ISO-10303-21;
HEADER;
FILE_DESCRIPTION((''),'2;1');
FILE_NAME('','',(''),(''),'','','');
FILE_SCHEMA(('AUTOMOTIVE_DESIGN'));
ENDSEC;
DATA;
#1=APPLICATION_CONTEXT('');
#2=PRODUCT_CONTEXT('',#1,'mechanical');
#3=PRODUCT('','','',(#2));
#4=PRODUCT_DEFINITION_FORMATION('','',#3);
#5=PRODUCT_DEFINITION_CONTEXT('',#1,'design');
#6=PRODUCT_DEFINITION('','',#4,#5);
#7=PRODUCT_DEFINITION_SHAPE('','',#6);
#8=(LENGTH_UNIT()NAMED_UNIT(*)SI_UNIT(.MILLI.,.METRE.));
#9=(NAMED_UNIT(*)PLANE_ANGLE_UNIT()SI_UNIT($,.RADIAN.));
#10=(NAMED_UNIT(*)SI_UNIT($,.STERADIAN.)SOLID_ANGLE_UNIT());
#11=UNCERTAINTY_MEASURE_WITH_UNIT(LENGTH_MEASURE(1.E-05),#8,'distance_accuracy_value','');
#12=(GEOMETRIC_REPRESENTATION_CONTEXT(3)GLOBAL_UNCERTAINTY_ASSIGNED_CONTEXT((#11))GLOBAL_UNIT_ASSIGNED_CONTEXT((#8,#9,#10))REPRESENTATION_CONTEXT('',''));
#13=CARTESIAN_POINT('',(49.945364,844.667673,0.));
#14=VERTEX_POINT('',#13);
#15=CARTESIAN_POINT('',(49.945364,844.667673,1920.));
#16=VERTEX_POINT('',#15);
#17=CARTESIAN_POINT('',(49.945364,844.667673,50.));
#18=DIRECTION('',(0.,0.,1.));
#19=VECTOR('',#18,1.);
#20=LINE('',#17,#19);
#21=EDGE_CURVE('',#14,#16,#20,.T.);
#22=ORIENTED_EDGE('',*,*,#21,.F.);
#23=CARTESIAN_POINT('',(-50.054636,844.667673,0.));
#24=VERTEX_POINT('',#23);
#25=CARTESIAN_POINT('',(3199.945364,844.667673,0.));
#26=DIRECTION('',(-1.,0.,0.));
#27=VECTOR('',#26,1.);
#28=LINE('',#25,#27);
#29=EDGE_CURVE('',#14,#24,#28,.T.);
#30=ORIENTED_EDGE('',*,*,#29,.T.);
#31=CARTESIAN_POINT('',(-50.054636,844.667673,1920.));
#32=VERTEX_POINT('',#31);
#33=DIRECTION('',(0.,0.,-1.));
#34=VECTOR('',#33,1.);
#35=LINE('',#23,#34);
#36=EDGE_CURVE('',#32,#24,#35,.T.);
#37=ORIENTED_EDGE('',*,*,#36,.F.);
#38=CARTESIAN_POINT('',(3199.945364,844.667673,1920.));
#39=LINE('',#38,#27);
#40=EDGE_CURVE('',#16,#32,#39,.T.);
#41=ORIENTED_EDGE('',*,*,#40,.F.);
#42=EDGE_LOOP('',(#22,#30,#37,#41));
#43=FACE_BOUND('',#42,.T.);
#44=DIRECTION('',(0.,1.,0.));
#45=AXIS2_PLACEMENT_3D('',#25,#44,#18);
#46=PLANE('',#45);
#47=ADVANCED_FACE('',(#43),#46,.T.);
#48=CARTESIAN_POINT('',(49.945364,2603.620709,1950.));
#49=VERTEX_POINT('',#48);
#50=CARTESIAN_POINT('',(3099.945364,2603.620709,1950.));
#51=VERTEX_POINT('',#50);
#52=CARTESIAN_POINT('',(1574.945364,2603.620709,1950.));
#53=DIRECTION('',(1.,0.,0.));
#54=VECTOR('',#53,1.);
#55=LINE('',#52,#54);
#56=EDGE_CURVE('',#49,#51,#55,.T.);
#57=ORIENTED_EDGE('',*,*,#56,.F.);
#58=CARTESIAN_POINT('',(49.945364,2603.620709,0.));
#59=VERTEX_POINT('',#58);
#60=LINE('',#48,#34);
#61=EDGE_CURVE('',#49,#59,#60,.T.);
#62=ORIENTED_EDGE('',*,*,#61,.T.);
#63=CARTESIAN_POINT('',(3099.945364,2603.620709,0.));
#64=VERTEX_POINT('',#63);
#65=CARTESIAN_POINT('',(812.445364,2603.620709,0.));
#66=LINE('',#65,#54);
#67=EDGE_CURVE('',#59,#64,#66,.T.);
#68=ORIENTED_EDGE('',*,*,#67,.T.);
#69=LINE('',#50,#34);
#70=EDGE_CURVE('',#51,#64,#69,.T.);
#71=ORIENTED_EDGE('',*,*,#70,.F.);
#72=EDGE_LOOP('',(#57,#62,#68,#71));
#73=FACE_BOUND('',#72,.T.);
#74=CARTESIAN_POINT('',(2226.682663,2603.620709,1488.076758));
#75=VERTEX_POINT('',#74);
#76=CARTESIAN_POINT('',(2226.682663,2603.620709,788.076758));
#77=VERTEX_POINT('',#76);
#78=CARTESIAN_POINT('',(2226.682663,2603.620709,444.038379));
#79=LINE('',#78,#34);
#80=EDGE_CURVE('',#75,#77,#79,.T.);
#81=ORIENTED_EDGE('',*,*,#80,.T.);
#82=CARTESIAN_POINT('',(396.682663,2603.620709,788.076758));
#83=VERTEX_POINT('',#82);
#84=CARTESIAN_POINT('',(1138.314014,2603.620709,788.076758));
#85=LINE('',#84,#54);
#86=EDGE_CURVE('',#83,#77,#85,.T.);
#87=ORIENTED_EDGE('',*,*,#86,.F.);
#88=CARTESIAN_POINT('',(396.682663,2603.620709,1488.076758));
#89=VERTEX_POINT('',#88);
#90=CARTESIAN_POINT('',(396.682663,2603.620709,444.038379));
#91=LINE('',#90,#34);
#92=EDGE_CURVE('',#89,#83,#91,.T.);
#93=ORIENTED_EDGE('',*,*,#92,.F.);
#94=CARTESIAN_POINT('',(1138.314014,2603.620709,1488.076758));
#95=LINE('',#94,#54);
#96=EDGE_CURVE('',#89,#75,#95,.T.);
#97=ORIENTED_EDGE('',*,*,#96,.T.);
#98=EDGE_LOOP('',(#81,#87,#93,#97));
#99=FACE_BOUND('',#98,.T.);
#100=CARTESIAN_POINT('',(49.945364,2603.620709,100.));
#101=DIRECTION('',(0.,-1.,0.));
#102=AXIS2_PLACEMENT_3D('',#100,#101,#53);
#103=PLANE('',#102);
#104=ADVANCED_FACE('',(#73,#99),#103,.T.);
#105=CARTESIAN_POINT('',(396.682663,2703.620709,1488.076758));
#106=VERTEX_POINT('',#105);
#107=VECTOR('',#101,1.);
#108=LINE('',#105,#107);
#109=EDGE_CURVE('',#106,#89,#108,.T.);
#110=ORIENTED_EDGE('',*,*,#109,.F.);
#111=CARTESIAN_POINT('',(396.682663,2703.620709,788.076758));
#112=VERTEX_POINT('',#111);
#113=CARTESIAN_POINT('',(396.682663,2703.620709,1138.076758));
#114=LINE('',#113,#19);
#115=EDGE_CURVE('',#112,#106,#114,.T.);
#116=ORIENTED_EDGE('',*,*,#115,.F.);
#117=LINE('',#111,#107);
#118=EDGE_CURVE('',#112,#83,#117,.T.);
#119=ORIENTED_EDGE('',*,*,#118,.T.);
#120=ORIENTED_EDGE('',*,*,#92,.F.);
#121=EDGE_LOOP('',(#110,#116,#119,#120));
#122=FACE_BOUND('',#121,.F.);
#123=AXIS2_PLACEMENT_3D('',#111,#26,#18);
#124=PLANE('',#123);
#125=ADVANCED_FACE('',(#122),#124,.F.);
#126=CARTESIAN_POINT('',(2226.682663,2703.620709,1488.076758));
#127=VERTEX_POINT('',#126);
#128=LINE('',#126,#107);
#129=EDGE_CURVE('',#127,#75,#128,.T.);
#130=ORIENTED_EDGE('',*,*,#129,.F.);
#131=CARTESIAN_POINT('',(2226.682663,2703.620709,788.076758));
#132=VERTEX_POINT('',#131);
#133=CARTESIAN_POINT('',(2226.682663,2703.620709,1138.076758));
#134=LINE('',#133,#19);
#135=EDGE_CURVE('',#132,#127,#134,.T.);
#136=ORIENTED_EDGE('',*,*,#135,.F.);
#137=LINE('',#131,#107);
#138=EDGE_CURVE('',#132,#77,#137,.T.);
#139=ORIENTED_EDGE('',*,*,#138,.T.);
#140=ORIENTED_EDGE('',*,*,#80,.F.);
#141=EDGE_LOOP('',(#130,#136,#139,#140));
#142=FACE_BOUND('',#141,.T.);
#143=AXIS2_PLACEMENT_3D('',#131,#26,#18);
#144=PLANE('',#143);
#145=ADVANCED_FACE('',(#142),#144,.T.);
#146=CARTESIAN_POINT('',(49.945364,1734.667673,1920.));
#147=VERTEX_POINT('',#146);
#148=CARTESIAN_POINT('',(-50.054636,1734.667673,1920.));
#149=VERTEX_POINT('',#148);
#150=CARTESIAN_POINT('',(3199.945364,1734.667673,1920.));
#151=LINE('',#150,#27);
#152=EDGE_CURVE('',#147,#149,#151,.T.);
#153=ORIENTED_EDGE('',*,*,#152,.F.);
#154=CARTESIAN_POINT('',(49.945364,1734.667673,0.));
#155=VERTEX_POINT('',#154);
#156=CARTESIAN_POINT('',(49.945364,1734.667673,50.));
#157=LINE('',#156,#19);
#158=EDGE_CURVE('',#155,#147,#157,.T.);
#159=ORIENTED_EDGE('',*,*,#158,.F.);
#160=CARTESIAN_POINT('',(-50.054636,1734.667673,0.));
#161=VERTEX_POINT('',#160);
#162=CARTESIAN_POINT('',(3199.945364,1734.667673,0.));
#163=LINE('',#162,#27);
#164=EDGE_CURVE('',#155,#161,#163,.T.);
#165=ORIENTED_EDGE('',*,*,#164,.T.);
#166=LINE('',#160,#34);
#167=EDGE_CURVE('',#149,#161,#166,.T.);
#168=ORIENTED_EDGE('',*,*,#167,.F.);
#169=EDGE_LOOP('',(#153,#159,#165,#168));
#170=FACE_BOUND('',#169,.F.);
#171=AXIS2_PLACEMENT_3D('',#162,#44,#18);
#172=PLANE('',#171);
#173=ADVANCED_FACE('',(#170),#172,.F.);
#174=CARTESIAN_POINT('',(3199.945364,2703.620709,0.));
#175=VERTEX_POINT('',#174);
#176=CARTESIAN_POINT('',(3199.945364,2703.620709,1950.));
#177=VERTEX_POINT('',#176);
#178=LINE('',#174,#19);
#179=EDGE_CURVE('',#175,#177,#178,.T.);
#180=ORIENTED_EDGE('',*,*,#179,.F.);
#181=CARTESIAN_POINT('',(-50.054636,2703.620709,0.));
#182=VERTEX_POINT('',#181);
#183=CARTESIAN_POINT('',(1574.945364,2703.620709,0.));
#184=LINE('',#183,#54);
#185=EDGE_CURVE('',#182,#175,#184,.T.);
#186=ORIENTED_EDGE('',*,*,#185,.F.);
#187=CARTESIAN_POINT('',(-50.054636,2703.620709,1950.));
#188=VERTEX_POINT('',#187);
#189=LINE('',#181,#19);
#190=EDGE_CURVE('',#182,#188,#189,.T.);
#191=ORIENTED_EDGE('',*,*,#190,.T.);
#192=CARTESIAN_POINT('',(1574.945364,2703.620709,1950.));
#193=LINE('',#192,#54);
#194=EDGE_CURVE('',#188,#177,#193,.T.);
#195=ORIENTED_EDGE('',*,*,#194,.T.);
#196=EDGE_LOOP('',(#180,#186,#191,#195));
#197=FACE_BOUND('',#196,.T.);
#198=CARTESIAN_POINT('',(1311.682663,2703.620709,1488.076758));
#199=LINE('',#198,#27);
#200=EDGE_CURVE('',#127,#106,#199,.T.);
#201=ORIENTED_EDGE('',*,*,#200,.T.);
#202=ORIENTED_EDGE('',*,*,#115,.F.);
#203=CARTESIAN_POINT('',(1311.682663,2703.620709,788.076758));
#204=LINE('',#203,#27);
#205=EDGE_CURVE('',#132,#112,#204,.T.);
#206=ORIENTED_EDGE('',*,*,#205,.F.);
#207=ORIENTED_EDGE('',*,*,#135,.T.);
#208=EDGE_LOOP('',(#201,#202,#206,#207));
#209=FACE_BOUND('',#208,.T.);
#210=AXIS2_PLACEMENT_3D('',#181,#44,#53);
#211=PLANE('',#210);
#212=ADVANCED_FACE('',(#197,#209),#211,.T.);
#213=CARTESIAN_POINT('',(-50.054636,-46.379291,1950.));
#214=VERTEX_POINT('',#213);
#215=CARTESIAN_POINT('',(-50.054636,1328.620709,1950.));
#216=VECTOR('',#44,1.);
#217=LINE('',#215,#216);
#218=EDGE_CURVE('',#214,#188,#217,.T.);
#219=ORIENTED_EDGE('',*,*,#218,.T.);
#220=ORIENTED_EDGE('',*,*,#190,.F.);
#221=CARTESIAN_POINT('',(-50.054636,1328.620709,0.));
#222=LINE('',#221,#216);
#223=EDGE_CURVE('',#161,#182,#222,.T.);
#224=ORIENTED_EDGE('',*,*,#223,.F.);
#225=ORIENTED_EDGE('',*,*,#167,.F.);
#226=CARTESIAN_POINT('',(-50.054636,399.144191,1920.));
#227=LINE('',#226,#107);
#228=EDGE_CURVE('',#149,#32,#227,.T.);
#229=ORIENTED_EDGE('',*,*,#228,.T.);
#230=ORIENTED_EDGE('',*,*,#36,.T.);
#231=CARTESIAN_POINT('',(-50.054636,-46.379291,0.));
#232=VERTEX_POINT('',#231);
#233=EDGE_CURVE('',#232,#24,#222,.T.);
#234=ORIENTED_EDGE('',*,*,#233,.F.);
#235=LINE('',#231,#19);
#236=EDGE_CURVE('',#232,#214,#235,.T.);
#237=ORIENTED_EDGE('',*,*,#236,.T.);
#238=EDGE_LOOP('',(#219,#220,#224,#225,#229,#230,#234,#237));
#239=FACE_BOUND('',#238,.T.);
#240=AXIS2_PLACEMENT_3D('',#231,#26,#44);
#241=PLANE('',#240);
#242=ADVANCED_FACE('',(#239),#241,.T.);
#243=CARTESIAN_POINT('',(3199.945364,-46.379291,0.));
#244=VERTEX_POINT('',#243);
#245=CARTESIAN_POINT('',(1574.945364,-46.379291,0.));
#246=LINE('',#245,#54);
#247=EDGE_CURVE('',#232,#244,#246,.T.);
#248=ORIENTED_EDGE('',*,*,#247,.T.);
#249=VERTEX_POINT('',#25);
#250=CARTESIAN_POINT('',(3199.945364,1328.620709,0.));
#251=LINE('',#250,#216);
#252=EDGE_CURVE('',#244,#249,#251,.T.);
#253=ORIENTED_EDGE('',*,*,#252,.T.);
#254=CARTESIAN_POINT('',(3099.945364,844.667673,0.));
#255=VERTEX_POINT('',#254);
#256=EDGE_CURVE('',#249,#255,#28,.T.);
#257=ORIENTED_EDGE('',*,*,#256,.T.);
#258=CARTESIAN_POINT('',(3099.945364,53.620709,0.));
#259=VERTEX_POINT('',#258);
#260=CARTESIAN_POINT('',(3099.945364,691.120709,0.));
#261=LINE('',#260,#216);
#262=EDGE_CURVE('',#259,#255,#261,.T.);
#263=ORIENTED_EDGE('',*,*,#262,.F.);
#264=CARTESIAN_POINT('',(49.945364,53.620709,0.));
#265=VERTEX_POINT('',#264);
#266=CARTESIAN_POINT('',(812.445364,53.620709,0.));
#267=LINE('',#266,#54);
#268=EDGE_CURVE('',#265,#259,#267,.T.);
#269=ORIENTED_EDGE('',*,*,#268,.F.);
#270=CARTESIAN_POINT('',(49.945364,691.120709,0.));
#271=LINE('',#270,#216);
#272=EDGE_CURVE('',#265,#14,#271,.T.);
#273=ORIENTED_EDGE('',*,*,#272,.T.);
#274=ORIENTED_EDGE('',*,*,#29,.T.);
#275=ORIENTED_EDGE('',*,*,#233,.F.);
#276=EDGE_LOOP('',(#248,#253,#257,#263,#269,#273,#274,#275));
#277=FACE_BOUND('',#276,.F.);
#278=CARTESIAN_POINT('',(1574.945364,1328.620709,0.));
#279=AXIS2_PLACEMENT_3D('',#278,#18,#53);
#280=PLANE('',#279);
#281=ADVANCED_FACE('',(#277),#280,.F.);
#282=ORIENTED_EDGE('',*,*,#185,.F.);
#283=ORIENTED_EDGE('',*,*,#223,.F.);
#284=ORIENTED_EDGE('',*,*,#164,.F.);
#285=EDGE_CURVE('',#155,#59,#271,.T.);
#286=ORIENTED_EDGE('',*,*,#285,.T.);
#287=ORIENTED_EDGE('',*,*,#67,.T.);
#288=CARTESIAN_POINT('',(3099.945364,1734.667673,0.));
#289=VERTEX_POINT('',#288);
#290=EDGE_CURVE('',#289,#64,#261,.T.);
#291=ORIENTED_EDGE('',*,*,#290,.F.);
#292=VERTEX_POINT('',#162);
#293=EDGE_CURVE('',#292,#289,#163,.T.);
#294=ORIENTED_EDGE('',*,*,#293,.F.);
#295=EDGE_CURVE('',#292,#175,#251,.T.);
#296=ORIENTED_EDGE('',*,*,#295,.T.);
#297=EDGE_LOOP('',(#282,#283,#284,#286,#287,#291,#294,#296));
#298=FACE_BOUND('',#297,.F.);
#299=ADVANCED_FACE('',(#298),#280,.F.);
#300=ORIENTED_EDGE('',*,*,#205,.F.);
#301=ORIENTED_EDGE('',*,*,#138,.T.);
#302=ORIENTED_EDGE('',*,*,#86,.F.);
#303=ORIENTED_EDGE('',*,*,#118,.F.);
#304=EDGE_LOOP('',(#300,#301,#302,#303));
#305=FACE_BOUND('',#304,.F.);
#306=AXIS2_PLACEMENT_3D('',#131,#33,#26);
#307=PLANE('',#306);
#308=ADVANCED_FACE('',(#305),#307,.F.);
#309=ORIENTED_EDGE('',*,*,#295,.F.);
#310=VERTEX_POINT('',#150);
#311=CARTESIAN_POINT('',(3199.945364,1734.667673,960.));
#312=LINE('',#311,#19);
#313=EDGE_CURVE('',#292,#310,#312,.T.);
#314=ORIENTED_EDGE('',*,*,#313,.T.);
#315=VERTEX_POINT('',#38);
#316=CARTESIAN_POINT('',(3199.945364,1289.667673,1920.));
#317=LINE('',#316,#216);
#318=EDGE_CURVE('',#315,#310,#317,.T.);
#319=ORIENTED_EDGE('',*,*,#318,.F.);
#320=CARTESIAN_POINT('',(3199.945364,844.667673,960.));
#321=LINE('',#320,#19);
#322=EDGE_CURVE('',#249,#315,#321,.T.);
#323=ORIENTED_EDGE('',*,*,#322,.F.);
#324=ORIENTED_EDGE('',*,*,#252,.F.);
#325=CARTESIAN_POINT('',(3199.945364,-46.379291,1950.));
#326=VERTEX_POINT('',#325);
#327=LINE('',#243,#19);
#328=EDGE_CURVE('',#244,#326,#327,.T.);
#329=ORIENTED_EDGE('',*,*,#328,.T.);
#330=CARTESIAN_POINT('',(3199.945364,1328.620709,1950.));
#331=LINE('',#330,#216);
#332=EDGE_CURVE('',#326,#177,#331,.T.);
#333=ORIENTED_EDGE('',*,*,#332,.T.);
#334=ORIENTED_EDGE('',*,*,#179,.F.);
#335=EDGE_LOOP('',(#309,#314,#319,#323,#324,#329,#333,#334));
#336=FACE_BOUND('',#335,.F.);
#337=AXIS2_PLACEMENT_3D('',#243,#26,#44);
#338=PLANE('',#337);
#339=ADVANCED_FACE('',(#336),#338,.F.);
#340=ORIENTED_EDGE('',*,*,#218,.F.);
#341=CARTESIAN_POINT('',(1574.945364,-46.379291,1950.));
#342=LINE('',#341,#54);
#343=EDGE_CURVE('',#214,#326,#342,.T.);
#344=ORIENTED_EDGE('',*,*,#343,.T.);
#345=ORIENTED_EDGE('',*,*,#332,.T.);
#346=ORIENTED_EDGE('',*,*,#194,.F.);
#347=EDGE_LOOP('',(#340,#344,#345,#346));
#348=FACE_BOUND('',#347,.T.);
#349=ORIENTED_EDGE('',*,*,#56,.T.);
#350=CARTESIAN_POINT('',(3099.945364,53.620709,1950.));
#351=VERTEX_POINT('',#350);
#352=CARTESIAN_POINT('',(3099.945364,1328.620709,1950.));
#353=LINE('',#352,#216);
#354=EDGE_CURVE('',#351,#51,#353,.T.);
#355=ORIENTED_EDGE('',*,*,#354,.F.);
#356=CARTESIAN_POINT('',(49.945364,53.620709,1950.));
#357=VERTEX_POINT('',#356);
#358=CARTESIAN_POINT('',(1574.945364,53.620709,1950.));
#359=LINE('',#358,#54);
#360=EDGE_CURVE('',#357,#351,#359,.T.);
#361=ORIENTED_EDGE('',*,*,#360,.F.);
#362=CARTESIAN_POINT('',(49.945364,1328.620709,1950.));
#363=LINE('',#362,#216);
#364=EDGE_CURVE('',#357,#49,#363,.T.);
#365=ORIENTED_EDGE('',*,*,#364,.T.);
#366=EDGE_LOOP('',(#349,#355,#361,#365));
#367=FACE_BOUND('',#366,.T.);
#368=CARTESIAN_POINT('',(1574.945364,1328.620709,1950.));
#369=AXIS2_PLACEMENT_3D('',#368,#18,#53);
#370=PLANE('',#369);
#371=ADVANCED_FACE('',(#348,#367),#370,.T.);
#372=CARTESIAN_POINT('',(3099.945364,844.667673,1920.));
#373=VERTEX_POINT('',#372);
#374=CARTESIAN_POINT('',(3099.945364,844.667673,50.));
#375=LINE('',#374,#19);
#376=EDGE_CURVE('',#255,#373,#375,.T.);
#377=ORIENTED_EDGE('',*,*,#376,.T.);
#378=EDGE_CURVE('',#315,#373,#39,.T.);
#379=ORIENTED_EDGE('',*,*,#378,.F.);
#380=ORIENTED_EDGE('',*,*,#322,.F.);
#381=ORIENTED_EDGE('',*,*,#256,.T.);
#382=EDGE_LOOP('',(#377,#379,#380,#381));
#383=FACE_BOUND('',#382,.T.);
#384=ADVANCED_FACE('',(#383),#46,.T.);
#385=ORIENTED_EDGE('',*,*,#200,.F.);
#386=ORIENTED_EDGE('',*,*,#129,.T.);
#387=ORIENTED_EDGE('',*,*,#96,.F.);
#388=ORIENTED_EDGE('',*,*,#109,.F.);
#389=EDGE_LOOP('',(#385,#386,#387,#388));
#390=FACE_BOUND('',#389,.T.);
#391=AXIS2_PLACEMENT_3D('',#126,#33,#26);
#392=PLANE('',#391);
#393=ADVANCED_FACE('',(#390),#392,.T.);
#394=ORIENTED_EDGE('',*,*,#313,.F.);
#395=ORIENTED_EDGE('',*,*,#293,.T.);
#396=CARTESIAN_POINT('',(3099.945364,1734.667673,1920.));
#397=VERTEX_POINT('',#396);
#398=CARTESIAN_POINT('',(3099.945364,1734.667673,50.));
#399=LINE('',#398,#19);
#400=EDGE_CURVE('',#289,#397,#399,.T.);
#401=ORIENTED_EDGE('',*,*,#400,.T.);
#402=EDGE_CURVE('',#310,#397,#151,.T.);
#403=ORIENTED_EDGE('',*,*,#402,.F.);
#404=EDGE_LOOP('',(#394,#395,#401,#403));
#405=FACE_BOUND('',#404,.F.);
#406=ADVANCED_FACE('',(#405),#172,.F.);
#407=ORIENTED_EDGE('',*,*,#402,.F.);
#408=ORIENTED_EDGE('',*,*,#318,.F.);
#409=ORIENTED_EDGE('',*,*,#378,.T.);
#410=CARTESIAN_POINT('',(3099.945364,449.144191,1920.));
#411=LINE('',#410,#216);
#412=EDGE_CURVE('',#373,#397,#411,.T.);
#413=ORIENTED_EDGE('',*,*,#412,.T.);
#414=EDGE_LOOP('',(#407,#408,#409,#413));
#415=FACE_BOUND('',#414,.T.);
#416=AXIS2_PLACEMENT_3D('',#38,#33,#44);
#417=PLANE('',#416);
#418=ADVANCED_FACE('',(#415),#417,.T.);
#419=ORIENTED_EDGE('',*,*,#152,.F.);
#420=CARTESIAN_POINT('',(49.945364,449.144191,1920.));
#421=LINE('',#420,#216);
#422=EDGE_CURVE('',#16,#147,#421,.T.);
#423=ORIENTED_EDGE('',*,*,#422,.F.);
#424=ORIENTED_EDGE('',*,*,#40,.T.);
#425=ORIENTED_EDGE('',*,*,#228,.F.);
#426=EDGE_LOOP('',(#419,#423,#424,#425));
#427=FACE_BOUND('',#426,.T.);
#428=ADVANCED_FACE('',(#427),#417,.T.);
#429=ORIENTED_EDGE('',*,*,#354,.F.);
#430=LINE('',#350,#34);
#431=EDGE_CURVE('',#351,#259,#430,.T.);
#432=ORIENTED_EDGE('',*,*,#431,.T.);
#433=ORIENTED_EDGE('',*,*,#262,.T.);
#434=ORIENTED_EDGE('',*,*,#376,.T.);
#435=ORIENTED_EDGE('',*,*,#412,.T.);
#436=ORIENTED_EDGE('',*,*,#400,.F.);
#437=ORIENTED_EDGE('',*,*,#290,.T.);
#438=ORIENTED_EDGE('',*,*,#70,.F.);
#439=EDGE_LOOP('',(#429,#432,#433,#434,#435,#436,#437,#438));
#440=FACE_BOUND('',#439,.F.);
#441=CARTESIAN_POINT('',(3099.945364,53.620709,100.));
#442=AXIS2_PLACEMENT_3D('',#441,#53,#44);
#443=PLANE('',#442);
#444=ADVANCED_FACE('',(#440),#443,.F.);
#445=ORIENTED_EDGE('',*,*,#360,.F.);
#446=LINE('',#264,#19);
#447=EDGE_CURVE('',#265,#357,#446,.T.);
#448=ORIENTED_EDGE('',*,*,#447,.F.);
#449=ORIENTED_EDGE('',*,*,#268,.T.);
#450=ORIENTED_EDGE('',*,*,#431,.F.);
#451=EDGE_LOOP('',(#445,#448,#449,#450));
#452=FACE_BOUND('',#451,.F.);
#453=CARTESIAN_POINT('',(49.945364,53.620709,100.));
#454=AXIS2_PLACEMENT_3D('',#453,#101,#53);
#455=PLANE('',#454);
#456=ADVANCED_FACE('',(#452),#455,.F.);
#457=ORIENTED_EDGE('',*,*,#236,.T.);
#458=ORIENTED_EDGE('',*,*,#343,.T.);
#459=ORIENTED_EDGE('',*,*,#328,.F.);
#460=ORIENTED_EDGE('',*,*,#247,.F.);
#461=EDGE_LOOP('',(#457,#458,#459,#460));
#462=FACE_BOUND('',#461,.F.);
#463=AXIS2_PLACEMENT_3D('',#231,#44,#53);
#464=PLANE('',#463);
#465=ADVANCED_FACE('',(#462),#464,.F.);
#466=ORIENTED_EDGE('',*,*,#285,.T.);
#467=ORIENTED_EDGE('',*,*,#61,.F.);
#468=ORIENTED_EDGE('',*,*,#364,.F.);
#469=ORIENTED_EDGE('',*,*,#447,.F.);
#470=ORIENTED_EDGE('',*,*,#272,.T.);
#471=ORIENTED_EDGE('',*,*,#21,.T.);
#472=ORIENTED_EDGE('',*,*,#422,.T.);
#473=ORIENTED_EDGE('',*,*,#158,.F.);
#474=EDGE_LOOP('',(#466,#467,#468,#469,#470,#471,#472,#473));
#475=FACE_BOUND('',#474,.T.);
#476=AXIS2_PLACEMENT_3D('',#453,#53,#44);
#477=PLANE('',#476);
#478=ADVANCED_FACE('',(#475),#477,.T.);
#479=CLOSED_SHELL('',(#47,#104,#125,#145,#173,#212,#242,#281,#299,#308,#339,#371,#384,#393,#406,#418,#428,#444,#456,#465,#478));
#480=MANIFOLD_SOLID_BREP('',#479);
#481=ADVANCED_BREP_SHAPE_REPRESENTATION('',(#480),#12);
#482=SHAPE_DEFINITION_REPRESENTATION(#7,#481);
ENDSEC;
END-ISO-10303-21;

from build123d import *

# Parameters (mm, degrees)
F0_W     = 3250
F0_H     = 2750
F1_DEPTH = 1950
F2_T     = -100
F3_DEPTH = 200
F4_W     = 890
F4_H     = 1920
F5_DEPTH = 4000
F7_W     = 1830
F7_H     = 700
F8_DEPTH = 200


with BuildPart() as f1:
    # F0 (on Top) → F1 (new body)
    with BuildSketch(Plane.XY):
        with Locations((1574.9453641474, 1328.6207094789)):
            Rectangle(F0_W, F0_H)
    extrude(amount=F1_DEPTH)

    # F2
    f2_openings = [f1.faces().sort_by_distance(p)[0] for p in [
        (1574.945364, 1328.620709, 1950),
    ]]
    offset(amount=F2_T, openings=f2_openings)

    # F3 (cut): a face of the model
    f3_faces = [f1.faces().sort_by_distance(p)[0] for p in [
        (1574.9453641474, 1328.6207094789, 100),
    ]]
    extrude(f3_faces, amount=-F3_DEPTH, mode=Mode.SUBTRACT)

    # F4 (on face) → F5 (cut)
    with BuildSketch(Plane.YZ.offset(3199.9453641474)):
        with Locations((1289.667673111, 960)):
            Rectangle(F4_W, F4_H)
    extrude(amount=-F5_DEPTH, mode=Mode.SUBTRACT)

    # F7 (on face) → F8 (cut)
    with BuildSketch(Plane(origin=(0, 2703.6207094789, 0), x_dir=(-1, 0, 0), z_dir=(0, 1, 0))):
        with Locations((-1311.6826629639, 1138.0767583847)):
            Rectangle(F7_W, F7_H)
    extrude(amount=-F8_DEPTH, mode=Mode.SUBTRACT)


solid = f1.part
